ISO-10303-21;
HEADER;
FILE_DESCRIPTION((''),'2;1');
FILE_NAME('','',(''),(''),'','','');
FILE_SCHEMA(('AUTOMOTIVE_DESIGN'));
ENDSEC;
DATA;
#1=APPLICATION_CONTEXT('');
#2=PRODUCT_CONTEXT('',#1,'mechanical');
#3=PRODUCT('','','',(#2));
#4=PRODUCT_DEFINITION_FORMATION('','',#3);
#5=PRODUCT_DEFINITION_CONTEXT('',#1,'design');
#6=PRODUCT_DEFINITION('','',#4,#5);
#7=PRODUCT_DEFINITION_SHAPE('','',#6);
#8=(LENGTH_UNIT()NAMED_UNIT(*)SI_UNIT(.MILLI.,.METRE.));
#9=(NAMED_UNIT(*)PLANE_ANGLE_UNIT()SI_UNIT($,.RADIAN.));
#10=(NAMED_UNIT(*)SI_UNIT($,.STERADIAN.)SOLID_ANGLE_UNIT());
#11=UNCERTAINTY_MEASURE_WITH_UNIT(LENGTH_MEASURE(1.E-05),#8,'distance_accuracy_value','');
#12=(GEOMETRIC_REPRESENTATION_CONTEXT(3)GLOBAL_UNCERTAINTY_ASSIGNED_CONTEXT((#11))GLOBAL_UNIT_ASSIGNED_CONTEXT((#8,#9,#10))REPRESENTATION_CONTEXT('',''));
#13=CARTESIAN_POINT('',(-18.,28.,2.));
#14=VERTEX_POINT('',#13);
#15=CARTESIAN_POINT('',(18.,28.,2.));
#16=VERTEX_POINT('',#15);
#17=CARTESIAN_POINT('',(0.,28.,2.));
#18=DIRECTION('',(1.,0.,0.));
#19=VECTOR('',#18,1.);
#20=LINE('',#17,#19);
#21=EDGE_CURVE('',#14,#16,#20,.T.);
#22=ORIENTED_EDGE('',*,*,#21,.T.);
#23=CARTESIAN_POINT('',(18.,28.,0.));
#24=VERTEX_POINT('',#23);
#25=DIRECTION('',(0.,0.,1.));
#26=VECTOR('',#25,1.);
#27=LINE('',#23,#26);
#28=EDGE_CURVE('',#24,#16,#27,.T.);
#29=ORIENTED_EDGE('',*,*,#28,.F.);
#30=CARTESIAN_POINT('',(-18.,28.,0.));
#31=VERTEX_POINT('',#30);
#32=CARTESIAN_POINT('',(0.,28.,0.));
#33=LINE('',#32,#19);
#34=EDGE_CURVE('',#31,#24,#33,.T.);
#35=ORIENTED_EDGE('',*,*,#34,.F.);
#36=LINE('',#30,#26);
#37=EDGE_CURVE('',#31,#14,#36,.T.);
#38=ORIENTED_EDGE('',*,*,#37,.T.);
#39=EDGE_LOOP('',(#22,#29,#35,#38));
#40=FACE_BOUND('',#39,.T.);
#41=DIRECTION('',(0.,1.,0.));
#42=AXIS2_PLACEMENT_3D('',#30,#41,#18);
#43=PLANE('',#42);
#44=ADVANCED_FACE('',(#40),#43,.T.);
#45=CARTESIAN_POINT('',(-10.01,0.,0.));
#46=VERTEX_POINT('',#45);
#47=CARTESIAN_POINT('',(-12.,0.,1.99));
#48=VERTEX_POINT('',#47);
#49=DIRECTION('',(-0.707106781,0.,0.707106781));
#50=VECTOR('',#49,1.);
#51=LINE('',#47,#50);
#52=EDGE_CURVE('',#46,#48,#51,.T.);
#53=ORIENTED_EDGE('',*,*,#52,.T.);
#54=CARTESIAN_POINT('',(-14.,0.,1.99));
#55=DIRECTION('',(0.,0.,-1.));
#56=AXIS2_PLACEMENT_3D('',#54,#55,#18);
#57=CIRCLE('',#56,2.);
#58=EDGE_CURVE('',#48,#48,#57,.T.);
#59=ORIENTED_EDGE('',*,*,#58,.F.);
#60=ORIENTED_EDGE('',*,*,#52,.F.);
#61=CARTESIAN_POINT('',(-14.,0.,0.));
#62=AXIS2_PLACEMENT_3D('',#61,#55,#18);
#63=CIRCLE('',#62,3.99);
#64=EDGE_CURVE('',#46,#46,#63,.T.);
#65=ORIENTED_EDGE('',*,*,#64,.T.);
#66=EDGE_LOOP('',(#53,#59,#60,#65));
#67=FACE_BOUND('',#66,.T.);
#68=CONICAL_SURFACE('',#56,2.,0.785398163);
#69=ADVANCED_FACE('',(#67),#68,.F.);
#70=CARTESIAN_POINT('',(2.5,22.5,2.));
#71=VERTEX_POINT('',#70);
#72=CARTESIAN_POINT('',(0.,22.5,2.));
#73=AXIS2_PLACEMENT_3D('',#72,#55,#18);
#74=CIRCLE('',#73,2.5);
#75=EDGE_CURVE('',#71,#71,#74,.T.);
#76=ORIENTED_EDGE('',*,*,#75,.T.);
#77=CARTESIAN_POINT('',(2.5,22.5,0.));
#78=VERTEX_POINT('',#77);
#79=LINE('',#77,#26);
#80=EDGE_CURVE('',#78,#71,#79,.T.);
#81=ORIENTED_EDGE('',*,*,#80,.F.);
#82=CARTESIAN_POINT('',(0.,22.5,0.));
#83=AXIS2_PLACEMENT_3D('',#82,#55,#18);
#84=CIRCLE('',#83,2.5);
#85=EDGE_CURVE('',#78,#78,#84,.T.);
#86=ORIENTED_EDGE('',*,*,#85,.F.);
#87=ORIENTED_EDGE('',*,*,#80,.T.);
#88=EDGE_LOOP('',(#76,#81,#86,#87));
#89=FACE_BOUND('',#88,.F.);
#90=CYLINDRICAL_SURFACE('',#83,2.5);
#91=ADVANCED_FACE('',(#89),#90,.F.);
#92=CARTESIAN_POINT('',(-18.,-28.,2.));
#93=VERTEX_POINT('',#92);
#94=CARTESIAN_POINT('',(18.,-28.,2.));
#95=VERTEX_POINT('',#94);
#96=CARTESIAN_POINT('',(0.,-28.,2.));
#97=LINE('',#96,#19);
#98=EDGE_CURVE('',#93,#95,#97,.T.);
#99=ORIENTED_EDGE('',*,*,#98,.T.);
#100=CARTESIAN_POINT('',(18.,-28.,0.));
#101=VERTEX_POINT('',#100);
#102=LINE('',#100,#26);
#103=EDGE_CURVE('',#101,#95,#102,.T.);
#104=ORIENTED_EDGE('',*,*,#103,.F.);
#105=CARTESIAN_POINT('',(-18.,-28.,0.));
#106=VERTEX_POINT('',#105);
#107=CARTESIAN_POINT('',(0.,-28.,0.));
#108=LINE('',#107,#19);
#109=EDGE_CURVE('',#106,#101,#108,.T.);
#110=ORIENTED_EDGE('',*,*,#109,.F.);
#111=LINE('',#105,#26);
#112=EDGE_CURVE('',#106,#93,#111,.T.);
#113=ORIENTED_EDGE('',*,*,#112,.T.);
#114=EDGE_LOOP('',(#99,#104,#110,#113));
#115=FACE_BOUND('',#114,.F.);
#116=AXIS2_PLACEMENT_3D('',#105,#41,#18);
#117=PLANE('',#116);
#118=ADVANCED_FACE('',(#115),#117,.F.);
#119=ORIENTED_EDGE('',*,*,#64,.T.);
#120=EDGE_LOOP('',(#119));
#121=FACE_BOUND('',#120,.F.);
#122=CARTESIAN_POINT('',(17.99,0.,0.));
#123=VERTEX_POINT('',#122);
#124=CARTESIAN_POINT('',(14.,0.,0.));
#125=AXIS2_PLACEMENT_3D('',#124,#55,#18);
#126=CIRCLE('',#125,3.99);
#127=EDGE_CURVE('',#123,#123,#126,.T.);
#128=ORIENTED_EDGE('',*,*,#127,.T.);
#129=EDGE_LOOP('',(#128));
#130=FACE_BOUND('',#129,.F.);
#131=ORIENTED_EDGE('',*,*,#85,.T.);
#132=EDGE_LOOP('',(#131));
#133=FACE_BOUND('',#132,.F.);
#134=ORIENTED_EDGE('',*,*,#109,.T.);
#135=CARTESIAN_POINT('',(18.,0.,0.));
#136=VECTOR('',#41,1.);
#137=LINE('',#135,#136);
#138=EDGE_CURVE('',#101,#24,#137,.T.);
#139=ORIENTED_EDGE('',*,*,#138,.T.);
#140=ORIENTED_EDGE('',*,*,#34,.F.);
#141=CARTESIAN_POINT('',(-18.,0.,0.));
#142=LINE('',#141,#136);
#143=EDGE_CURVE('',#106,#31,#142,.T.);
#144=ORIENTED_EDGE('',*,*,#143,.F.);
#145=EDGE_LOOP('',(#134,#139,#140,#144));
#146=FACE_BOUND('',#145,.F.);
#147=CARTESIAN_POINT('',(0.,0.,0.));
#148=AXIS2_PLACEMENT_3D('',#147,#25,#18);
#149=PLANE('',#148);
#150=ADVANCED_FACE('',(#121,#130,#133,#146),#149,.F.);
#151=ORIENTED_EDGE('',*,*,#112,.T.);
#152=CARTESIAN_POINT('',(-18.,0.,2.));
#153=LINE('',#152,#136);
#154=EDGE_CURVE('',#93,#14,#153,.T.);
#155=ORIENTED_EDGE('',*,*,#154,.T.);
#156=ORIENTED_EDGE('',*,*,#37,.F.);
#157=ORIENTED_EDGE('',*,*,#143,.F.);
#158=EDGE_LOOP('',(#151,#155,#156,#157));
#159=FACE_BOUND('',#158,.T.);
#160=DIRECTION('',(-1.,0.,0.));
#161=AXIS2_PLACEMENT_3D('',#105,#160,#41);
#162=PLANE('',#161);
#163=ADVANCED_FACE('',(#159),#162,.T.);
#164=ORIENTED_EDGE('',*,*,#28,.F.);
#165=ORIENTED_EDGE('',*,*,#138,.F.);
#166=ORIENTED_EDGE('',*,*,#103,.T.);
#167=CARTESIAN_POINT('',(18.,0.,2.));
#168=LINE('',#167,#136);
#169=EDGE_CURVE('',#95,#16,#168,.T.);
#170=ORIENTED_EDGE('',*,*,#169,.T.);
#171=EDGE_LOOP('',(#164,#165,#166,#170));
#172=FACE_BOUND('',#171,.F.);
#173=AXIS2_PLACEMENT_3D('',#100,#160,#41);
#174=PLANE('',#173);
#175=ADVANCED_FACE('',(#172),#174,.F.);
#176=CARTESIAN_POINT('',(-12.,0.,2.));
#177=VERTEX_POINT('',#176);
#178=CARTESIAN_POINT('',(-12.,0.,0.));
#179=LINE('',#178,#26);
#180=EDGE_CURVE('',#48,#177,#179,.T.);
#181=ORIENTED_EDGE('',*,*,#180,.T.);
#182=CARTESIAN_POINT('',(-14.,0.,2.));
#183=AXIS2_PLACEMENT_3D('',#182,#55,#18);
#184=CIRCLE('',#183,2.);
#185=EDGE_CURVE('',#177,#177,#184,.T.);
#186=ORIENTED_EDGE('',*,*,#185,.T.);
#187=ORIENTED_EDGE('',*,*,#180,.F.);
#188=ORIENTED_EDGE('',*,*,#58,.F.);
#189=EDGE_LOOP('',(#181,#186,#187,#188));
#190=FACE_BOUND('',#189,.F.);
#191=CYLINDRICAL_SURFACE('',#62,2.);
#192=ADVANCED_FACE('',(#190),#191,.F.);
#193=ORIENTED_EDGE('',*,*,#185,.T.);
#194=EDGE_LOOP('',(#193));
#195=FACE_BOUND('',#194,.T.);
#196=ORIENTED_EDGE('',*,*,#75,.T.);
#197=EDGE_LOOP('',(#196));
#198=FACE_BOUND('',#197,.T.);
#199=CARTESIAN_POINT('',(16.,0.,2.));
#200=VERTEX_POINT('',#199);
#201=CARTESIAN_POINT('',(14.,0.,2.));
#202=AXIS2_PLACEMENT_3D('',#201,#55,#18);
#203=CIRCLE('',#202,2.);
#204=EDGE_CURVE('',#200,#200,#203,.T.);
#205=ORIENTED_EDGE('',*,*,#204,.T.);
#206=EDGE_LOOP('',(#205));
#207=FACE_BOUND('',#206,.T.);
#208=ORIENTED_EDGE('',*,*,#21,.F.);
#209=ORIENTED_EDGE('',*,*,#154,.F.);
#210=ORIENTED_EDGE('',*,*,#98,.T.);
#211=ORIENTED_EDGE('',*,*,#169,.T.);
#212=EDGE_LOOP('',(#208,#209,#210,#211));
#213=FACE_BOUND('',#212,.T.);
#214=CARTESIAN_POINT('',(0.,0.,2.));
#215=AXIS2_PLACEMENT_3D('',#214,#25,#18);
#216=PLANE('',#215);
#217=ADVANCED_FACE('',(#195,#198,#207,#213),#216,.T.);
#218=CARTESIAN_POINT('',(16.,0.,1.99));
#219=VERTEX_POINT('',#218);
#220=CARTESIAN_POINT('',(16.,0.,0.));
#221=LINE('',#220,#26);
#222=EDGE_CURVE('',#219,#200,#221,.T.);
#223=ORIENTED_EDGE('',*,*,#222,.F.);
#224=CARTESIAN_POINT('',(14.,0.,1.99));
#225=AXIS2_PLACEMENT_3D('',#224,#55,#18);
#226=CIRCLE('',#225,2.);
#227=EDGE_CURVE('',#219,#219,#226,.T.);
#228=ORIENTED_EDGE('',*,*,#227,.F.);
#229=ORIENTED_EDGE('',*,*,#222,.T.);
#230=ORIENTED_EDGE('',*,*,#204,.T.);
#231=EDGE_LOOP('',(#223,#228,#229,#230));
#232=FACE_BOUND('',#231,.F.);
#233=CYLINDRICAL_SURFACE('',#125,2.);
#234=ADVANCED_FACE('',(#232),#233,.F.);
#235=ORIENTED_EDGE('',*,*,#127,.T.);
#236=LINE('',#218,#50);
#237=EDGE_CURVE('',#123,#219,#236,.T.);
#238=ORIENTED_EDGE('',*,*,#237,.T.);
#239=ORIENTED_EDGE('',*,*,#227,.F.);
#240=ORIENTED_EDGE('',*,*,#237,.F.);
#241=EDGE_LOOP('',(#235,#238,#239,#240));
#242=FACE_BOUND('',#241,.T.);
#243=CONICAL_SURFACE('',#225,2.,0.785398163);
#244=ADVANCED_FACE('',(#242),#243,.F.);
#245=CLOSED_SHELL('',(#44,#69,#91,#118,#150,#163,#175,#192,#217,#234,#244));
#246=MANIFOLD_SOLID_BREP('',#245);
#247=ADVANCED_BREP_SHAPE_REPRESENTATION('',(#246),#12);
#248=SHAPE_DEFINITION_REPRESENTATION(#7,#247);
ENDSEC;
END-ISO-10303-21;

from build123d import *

# Parameters (mm, degrees)
SKETCH_W        = 36
SKETCH_H        = 56
PAD_DEPTH       = 2
SKETCH001_R     = 2
POCKET_DEPTH    = 3
CHAMFER_SIZE    = 1.99
SKETCH002_R     = 2.5
POCKET001_DEPTH = 3


with BuildPart() as part:
    # Sketch → Pad (new body)
    with BuildSketch(Plane.XY):
        Rectangle(SKETCH_W, SKETCH_H)
    extrude(amount=PAD_DEPTH)

    # Sketch001 (on Face5 of Pad) → Pocket (cut)
    with BuildSketch(Plane(origin=(0, 0, 0), x_dir=(1, 0, 0), z_dir=(0, 0, -1))):
        with Locations((14, 0)):
            Circle(SKETCH001_R)
        with Locations((-14, 0)):
            Circle(SKETCH001_R)
    extrude(amount=-POCKET_DEPTH, mode=Mode.SUBTRACT)

    # Chamfer
    chamfer_edges = [part.edges().sort_by_distance(p)[0] for p in [
        (-16, 0, 0),
        (12, 0, 0),
    ]]
    chamfer(chamfer_edges, length=CHAMFER_SIZE)

    # Sketch002 (on Face1 of Chamfer) → Pocket001 (cut)
    with BuildSketch(Plane(origin=(0, 0, 0), x_dir=(1, 0, 0), z_dir=(0, 0, -1))):
        with Locations((0, -22.5)):
            Circle(SKETCH002_R)
    extrude(amount=-POCKET001_DEPTH, mode=Mode.SUBTRACT)


solid = part.part
